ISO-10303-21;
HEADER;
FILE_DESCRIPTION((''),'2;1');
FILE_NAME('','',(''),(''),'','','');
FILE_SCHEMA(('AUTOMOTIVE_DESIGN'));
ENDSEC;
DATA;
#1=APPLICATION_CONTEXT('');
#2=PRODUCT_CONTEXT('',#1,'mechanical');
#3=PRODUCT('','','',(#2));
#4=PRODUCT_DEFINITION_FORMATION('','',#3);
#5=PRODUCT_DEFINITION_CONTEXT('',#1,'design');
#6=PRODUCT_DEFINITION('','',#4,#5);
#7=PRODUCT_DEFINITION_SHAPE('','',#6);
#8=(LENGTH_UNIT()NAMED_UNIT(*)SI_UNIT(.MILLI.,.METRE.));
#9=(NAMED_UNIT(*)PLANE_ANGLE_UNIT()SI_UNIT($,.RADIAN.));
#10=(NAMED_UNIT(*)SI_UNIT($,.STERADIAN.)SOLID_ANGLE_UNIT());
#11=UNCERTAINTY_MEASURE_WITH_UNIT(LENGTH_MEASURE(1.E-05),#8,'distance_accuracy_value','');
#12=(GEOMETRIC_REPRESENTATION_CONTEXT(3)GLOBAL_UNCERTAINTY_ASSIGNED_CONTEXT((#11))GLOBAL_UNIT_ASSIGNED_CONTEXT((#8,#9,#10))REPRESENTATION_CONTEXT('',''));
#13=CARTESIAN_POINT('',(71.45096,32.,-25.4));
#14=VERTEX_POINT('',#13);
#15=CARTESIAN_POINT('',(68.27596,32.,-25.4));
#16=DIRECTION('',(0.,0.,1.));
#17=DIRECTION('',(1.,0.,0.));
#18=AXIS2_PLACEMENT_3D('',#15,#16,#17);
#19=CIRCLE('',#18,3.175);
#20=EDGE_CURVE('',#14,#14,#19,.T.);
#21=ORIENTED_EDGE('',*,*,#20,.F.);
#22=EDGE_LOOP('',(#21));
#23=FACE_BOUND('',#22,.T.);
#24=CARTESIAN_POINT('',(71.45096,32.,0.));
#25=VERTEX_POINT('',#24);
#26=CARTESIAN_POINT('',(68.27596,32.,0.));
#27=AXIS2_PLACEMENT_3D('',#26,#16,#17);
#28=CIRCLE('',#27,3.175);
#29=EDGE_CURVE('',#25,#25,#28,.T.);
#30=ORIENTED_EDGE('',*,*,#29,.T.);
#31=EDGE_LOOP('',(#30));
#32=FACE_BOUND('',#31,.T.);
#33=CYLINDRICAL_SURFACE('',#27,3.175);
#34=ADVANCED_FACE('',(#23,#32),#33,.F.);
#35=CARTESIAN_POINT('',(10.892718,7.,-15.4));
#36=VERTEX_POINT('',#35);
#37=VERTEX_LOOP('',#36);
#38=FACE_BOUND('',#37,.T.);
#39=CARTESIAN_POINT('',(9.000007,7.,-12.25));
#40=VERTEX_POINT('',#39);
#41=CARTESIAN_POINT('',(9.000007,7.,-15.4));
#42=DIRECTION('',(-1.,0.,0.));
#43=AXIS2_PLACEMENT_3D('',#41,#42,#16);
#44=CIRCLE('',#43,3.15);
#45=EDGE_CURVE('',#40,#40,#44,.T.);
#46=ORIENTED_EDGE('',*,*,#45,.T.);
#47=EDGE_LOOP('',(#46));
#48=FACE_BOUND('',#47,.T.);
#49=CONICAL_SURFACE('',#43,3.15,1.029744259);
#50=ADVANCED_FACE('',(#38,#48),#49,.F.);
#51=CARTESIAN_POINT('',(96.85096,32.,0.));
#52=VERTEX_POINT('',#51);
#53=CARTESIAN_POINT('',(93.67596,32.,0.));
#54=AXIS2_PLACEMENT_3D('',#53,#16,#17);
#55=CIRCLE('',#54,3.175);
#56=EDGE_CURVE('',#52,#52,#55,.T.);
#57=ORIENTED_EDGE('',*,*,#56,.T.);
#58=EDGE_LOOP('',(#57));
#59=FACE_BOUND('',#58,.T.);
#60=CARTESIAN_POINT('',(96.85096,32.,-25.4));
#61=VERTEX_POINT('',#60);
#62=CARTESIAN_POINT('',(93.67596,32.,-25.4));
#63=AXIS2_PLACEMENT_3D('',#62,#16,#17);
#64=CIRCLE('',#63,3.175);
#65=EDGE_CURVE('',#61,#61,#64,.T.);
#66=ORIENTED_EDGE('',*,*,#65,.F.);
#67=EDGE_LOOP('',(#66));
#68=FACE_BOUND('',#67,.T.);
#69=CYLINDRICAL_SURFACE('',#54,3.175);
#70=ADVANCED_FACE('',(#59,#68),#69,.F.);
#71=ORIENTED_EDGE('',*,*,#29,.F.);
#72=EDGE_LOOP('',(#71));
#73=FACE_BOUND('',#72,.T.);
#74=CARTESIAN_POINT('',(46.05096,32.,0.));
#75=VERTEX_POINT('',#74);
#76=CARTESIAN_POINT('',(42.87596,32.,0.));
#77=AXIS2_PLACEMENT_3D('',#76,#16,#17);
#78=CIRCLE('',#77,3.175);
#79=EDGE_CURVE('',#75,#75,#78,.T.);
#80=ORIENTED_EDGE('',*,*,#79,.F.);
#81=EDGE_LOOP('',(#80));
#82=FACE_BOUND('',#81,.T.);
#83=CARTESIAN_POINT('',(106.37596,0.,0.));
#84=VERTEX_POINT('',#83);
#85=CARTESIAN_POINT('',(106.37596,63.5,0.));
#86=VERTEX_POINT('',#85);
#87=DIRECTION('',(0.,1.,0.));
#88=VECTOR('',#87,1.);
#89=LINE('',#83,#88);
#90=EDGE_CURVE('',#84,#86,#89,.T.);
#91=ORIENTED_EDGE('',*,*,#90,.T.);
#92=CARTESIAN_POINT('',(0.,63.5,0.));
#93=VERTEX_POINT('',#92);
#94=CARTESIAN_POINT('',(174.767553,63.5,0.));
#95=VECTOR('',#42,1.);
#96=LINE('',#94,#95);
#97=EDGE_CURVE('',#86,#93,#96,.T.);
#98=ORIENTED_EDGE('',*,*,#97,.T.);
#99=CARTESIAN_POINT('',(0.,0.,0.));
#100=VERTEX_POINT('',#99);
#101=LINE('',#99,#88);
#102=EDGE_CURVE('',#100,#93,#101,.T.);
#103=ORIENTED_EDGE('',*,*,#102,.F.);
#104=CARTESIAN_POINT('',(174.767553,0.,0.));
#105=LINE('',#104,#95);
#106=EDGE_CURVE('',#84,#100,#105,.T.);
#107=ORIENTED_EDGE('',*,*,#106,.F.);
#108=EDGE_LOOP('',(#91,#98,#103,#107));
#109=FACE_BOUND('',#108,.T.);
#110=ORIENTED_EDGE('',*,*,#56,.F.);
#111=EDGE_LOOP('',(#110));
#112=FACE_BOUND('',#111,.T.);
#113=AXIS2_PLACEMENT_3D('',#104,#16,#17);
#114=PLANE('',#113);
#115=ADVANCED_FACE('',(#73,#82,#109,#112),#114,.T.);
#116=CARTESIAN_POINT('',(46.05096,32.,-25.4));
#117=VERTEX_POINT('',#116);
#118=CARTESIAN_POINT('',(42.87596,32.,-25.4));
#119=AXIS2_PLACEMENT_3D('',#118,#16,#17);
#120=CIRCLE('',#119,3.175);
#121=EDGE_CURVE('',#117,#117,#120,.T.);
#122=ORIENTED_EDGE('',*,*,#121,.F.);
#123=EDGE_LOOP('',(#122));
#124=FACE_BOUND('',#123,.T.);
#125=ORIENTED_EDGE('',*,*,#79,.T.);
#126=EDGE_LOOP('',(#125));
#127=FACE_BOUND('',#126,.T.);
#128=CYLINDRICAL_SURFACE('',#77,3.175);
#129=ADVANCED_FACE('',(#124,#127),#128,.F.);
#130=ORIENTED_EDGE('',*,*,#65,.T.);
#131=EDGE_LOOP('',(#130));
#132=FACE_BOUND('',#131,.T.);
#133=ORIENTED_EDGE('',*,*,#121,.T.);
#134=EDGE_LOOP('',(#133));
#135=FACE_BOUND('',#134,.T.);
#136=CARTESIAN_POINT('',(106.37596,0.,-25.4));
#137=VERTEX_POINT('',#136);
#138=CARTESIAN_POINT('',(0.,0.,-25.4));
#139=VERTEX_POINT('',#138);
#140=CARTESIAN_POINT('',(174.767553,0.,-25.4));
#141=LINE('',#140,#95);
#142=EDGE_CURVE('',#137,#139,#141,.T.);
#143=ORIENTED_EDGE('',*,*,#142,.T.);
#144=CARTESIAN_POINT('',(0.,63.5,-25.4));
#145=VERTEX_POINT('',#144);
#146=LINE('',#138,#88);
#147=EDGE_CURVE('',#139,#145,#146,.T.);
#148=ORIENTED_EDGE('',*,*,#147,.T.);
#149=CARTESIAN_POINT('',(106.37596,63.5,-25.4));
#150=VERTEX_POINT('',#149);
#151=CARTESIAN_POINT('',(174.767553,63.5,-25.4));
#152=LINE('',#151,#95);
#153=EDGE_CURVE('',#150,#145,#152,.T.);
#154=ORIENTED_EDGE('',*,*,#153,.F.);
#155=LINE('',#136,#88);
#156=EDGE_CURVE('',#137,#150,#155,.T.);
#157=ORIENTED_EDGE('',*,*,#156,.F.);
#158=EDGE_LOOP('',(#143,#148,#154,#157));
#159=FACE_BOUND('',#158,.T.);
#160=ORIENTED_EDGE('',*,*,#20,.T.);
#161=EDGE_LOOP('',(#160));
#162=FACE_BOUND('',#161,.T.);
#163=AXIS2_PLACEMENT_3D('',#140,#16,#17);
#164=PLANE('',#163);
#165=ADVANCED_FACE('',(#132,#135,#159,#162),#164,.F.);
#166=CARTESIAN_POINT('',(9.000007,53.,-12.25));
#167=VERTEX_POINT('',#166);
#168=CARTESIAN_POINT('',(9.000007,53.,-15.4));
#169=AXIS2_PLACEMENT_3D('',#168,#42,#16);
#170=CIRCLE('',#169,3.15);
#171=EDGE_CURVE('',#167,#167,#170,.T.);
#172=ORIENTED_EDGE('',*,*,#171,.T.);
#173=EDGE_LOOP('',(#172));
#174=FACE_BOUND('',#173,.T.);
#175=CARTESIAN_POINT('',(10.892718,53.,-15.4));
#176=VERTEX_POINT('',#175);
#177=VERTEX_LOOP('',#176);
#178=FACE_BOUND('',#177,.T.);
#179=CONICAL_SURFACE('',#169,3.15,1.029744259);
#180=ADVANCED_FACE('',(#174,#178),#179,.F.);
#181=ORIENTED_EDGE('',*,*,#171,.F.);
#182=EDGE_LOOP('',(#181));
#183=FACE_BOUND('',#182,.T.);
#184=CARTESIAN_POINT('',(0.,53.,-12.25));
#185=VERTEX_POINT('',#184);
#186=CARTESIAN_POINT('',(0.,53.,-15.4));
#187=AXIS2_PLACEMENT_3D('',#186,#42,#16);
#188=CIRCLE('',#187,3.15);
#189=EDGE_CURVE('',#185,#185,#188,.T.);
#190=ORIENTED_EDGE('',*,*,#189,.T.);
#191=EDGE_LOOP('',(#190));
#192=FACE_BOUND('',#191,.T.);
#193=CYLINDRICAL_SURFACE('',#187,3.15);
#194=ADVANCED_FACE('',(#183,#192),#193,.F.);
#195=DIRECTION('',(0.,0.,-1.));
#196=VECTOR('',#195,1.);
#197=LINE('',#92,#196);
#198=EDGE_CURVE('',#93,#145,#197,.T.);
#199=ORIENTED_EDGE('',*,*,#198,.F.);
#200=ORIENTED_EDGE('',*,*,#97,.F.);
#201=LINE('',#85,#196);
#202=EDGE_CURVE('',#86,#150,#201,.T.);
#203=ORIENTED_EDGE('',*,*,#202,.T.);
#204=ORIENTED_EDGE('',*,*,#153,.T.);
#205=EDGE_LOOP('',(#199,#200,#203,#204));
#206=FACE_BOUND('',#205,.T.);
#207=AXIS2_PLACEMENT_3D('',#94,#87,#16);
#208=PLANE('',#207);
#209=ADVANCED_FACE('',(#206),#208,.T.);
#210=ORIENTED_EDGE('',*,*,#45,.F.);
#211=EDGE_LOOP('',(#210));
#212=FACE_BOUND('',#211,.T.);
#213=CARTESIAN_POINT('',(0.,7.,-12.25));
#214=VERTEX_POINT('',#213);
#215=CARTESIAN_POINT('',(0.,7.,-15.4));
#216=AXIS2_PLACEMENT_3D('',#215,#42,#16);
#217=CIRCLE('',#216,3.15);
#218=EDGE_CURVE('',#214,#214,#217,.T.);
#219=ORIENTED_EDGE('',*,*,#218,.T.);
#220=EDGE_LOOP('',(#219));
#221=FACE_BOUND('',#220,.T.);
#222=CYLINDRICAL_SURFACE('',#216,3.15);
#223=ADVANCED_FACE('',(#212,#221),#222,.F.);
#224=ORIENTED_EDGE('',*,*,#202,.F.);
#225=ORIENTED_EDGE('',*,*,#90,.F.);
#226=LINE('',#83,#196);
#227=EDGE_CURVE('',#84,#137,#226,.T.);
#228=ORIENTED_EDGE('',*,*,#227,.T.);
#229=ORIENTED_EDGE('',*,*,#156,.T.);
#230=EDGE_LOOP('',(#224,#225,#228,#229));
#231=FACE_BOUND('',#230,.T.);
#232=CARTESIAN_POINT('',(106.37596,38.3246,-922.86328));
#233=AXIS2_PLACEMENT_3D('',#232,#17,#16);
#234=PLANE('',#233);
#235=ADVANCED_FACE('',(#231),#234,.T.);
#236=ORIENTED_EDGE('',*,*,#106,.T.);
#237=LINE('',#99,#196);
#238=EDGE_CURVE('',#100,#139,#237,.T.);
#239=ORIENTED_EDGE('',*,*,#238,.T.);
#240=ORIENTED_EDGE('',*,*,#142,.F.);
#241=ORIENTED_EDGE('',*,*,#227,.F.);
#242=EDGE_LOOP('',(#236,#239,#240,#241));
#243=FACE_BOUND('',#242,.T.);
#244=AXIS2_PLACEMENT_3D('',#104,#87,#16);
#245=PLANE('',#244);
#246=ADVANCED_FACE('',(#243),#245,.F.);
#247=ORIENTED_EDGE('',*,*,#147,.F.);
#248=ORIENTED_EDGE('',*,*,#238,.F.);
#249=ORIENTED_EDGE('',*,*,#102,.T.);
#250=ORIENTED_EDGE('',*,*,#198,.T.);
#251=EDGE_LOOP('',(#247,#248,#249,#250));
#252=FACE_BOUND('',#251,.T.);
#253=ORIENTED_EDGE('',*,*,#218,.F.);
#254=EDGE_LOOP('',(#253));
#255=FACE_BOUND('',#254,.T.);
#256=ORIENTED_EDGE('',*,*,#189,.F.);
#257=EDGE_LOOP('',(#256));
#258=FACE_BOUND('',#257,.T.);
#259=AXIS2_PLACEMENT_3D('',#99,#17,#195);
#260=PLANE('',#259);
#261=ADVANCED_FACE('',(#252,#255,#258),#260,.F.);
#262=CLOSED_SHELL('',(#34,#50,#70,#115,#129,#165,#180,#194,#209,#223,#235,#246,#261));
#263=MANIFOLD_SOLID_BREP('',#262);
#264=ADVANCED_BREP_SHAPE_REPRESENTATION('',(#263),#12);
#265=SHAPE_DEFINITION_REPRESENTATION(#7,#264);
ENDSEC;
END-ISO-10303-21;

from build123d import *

# Parameters (mm, degrees)
SKETCH1_W                   = 25.4
SKETCH1_H                   = 63.5
BOSS_EXTRUDE1_DEPTH         = 106.37596
F_1_4_0_25_DIAMETER_HOLE1_D = 6.35
F_6_0MM_DOWEL_HOLE1_D       = 6.3
F_6_0MM_DOWEL_HOLE1_DEPTH   = 9.0000074
F_6_0MM_DOWEL_HOLE1_TIP     = 1.89271095


with BuildPart() as part:
    # Sketch1 → Boss-Extrude1 (new body)
    with BuildSketch(Plane(origin=(0, 0, 0), x_dir=(0, 0, -1), z_dir=(1, 0, 0))):
        with Locations((12.7, 31.75)):
            Rectangle(SKETCH1_W, SKETCH1_H)
    extrude(amount=BOSS_EXTRUDE1_DEPTH)

    # 1/4 (0.25) Diameter Hole1 (through all)
    with Locations(Plane.XY):
        with Locations((42.87596001, 32), (93.67596001, 32), (68.27596001, 32)):
            Hole(F_1_4_0_25_DIAMETER_HOLE1_D / 2)

    # Ø6.0mm Dowel Hole1
    with Locations(Plane.ZY):
        with Locations((-15.4, 7), (-15.4, 53)):
            Hole(F_6_0MM_DOWEL_HOLE1_D / 2, depth=F_6_0MM_DOWEL_HOLE1_DEPTH)
            with Locations((0, 0, -(F_6_0MM_DOWEL_HOLE1_DEPTH + F_6_0MM_DOWEL_HOLE1_TIP / 2))):  # 118° drill point
                Cone(0, F_6_0MM_DOWEL_HOLE1_D / 2, F_6_0MM_DOWEL_HOLE1_TIP, mode=Mode.SUBTRACT)


solid = part.part
